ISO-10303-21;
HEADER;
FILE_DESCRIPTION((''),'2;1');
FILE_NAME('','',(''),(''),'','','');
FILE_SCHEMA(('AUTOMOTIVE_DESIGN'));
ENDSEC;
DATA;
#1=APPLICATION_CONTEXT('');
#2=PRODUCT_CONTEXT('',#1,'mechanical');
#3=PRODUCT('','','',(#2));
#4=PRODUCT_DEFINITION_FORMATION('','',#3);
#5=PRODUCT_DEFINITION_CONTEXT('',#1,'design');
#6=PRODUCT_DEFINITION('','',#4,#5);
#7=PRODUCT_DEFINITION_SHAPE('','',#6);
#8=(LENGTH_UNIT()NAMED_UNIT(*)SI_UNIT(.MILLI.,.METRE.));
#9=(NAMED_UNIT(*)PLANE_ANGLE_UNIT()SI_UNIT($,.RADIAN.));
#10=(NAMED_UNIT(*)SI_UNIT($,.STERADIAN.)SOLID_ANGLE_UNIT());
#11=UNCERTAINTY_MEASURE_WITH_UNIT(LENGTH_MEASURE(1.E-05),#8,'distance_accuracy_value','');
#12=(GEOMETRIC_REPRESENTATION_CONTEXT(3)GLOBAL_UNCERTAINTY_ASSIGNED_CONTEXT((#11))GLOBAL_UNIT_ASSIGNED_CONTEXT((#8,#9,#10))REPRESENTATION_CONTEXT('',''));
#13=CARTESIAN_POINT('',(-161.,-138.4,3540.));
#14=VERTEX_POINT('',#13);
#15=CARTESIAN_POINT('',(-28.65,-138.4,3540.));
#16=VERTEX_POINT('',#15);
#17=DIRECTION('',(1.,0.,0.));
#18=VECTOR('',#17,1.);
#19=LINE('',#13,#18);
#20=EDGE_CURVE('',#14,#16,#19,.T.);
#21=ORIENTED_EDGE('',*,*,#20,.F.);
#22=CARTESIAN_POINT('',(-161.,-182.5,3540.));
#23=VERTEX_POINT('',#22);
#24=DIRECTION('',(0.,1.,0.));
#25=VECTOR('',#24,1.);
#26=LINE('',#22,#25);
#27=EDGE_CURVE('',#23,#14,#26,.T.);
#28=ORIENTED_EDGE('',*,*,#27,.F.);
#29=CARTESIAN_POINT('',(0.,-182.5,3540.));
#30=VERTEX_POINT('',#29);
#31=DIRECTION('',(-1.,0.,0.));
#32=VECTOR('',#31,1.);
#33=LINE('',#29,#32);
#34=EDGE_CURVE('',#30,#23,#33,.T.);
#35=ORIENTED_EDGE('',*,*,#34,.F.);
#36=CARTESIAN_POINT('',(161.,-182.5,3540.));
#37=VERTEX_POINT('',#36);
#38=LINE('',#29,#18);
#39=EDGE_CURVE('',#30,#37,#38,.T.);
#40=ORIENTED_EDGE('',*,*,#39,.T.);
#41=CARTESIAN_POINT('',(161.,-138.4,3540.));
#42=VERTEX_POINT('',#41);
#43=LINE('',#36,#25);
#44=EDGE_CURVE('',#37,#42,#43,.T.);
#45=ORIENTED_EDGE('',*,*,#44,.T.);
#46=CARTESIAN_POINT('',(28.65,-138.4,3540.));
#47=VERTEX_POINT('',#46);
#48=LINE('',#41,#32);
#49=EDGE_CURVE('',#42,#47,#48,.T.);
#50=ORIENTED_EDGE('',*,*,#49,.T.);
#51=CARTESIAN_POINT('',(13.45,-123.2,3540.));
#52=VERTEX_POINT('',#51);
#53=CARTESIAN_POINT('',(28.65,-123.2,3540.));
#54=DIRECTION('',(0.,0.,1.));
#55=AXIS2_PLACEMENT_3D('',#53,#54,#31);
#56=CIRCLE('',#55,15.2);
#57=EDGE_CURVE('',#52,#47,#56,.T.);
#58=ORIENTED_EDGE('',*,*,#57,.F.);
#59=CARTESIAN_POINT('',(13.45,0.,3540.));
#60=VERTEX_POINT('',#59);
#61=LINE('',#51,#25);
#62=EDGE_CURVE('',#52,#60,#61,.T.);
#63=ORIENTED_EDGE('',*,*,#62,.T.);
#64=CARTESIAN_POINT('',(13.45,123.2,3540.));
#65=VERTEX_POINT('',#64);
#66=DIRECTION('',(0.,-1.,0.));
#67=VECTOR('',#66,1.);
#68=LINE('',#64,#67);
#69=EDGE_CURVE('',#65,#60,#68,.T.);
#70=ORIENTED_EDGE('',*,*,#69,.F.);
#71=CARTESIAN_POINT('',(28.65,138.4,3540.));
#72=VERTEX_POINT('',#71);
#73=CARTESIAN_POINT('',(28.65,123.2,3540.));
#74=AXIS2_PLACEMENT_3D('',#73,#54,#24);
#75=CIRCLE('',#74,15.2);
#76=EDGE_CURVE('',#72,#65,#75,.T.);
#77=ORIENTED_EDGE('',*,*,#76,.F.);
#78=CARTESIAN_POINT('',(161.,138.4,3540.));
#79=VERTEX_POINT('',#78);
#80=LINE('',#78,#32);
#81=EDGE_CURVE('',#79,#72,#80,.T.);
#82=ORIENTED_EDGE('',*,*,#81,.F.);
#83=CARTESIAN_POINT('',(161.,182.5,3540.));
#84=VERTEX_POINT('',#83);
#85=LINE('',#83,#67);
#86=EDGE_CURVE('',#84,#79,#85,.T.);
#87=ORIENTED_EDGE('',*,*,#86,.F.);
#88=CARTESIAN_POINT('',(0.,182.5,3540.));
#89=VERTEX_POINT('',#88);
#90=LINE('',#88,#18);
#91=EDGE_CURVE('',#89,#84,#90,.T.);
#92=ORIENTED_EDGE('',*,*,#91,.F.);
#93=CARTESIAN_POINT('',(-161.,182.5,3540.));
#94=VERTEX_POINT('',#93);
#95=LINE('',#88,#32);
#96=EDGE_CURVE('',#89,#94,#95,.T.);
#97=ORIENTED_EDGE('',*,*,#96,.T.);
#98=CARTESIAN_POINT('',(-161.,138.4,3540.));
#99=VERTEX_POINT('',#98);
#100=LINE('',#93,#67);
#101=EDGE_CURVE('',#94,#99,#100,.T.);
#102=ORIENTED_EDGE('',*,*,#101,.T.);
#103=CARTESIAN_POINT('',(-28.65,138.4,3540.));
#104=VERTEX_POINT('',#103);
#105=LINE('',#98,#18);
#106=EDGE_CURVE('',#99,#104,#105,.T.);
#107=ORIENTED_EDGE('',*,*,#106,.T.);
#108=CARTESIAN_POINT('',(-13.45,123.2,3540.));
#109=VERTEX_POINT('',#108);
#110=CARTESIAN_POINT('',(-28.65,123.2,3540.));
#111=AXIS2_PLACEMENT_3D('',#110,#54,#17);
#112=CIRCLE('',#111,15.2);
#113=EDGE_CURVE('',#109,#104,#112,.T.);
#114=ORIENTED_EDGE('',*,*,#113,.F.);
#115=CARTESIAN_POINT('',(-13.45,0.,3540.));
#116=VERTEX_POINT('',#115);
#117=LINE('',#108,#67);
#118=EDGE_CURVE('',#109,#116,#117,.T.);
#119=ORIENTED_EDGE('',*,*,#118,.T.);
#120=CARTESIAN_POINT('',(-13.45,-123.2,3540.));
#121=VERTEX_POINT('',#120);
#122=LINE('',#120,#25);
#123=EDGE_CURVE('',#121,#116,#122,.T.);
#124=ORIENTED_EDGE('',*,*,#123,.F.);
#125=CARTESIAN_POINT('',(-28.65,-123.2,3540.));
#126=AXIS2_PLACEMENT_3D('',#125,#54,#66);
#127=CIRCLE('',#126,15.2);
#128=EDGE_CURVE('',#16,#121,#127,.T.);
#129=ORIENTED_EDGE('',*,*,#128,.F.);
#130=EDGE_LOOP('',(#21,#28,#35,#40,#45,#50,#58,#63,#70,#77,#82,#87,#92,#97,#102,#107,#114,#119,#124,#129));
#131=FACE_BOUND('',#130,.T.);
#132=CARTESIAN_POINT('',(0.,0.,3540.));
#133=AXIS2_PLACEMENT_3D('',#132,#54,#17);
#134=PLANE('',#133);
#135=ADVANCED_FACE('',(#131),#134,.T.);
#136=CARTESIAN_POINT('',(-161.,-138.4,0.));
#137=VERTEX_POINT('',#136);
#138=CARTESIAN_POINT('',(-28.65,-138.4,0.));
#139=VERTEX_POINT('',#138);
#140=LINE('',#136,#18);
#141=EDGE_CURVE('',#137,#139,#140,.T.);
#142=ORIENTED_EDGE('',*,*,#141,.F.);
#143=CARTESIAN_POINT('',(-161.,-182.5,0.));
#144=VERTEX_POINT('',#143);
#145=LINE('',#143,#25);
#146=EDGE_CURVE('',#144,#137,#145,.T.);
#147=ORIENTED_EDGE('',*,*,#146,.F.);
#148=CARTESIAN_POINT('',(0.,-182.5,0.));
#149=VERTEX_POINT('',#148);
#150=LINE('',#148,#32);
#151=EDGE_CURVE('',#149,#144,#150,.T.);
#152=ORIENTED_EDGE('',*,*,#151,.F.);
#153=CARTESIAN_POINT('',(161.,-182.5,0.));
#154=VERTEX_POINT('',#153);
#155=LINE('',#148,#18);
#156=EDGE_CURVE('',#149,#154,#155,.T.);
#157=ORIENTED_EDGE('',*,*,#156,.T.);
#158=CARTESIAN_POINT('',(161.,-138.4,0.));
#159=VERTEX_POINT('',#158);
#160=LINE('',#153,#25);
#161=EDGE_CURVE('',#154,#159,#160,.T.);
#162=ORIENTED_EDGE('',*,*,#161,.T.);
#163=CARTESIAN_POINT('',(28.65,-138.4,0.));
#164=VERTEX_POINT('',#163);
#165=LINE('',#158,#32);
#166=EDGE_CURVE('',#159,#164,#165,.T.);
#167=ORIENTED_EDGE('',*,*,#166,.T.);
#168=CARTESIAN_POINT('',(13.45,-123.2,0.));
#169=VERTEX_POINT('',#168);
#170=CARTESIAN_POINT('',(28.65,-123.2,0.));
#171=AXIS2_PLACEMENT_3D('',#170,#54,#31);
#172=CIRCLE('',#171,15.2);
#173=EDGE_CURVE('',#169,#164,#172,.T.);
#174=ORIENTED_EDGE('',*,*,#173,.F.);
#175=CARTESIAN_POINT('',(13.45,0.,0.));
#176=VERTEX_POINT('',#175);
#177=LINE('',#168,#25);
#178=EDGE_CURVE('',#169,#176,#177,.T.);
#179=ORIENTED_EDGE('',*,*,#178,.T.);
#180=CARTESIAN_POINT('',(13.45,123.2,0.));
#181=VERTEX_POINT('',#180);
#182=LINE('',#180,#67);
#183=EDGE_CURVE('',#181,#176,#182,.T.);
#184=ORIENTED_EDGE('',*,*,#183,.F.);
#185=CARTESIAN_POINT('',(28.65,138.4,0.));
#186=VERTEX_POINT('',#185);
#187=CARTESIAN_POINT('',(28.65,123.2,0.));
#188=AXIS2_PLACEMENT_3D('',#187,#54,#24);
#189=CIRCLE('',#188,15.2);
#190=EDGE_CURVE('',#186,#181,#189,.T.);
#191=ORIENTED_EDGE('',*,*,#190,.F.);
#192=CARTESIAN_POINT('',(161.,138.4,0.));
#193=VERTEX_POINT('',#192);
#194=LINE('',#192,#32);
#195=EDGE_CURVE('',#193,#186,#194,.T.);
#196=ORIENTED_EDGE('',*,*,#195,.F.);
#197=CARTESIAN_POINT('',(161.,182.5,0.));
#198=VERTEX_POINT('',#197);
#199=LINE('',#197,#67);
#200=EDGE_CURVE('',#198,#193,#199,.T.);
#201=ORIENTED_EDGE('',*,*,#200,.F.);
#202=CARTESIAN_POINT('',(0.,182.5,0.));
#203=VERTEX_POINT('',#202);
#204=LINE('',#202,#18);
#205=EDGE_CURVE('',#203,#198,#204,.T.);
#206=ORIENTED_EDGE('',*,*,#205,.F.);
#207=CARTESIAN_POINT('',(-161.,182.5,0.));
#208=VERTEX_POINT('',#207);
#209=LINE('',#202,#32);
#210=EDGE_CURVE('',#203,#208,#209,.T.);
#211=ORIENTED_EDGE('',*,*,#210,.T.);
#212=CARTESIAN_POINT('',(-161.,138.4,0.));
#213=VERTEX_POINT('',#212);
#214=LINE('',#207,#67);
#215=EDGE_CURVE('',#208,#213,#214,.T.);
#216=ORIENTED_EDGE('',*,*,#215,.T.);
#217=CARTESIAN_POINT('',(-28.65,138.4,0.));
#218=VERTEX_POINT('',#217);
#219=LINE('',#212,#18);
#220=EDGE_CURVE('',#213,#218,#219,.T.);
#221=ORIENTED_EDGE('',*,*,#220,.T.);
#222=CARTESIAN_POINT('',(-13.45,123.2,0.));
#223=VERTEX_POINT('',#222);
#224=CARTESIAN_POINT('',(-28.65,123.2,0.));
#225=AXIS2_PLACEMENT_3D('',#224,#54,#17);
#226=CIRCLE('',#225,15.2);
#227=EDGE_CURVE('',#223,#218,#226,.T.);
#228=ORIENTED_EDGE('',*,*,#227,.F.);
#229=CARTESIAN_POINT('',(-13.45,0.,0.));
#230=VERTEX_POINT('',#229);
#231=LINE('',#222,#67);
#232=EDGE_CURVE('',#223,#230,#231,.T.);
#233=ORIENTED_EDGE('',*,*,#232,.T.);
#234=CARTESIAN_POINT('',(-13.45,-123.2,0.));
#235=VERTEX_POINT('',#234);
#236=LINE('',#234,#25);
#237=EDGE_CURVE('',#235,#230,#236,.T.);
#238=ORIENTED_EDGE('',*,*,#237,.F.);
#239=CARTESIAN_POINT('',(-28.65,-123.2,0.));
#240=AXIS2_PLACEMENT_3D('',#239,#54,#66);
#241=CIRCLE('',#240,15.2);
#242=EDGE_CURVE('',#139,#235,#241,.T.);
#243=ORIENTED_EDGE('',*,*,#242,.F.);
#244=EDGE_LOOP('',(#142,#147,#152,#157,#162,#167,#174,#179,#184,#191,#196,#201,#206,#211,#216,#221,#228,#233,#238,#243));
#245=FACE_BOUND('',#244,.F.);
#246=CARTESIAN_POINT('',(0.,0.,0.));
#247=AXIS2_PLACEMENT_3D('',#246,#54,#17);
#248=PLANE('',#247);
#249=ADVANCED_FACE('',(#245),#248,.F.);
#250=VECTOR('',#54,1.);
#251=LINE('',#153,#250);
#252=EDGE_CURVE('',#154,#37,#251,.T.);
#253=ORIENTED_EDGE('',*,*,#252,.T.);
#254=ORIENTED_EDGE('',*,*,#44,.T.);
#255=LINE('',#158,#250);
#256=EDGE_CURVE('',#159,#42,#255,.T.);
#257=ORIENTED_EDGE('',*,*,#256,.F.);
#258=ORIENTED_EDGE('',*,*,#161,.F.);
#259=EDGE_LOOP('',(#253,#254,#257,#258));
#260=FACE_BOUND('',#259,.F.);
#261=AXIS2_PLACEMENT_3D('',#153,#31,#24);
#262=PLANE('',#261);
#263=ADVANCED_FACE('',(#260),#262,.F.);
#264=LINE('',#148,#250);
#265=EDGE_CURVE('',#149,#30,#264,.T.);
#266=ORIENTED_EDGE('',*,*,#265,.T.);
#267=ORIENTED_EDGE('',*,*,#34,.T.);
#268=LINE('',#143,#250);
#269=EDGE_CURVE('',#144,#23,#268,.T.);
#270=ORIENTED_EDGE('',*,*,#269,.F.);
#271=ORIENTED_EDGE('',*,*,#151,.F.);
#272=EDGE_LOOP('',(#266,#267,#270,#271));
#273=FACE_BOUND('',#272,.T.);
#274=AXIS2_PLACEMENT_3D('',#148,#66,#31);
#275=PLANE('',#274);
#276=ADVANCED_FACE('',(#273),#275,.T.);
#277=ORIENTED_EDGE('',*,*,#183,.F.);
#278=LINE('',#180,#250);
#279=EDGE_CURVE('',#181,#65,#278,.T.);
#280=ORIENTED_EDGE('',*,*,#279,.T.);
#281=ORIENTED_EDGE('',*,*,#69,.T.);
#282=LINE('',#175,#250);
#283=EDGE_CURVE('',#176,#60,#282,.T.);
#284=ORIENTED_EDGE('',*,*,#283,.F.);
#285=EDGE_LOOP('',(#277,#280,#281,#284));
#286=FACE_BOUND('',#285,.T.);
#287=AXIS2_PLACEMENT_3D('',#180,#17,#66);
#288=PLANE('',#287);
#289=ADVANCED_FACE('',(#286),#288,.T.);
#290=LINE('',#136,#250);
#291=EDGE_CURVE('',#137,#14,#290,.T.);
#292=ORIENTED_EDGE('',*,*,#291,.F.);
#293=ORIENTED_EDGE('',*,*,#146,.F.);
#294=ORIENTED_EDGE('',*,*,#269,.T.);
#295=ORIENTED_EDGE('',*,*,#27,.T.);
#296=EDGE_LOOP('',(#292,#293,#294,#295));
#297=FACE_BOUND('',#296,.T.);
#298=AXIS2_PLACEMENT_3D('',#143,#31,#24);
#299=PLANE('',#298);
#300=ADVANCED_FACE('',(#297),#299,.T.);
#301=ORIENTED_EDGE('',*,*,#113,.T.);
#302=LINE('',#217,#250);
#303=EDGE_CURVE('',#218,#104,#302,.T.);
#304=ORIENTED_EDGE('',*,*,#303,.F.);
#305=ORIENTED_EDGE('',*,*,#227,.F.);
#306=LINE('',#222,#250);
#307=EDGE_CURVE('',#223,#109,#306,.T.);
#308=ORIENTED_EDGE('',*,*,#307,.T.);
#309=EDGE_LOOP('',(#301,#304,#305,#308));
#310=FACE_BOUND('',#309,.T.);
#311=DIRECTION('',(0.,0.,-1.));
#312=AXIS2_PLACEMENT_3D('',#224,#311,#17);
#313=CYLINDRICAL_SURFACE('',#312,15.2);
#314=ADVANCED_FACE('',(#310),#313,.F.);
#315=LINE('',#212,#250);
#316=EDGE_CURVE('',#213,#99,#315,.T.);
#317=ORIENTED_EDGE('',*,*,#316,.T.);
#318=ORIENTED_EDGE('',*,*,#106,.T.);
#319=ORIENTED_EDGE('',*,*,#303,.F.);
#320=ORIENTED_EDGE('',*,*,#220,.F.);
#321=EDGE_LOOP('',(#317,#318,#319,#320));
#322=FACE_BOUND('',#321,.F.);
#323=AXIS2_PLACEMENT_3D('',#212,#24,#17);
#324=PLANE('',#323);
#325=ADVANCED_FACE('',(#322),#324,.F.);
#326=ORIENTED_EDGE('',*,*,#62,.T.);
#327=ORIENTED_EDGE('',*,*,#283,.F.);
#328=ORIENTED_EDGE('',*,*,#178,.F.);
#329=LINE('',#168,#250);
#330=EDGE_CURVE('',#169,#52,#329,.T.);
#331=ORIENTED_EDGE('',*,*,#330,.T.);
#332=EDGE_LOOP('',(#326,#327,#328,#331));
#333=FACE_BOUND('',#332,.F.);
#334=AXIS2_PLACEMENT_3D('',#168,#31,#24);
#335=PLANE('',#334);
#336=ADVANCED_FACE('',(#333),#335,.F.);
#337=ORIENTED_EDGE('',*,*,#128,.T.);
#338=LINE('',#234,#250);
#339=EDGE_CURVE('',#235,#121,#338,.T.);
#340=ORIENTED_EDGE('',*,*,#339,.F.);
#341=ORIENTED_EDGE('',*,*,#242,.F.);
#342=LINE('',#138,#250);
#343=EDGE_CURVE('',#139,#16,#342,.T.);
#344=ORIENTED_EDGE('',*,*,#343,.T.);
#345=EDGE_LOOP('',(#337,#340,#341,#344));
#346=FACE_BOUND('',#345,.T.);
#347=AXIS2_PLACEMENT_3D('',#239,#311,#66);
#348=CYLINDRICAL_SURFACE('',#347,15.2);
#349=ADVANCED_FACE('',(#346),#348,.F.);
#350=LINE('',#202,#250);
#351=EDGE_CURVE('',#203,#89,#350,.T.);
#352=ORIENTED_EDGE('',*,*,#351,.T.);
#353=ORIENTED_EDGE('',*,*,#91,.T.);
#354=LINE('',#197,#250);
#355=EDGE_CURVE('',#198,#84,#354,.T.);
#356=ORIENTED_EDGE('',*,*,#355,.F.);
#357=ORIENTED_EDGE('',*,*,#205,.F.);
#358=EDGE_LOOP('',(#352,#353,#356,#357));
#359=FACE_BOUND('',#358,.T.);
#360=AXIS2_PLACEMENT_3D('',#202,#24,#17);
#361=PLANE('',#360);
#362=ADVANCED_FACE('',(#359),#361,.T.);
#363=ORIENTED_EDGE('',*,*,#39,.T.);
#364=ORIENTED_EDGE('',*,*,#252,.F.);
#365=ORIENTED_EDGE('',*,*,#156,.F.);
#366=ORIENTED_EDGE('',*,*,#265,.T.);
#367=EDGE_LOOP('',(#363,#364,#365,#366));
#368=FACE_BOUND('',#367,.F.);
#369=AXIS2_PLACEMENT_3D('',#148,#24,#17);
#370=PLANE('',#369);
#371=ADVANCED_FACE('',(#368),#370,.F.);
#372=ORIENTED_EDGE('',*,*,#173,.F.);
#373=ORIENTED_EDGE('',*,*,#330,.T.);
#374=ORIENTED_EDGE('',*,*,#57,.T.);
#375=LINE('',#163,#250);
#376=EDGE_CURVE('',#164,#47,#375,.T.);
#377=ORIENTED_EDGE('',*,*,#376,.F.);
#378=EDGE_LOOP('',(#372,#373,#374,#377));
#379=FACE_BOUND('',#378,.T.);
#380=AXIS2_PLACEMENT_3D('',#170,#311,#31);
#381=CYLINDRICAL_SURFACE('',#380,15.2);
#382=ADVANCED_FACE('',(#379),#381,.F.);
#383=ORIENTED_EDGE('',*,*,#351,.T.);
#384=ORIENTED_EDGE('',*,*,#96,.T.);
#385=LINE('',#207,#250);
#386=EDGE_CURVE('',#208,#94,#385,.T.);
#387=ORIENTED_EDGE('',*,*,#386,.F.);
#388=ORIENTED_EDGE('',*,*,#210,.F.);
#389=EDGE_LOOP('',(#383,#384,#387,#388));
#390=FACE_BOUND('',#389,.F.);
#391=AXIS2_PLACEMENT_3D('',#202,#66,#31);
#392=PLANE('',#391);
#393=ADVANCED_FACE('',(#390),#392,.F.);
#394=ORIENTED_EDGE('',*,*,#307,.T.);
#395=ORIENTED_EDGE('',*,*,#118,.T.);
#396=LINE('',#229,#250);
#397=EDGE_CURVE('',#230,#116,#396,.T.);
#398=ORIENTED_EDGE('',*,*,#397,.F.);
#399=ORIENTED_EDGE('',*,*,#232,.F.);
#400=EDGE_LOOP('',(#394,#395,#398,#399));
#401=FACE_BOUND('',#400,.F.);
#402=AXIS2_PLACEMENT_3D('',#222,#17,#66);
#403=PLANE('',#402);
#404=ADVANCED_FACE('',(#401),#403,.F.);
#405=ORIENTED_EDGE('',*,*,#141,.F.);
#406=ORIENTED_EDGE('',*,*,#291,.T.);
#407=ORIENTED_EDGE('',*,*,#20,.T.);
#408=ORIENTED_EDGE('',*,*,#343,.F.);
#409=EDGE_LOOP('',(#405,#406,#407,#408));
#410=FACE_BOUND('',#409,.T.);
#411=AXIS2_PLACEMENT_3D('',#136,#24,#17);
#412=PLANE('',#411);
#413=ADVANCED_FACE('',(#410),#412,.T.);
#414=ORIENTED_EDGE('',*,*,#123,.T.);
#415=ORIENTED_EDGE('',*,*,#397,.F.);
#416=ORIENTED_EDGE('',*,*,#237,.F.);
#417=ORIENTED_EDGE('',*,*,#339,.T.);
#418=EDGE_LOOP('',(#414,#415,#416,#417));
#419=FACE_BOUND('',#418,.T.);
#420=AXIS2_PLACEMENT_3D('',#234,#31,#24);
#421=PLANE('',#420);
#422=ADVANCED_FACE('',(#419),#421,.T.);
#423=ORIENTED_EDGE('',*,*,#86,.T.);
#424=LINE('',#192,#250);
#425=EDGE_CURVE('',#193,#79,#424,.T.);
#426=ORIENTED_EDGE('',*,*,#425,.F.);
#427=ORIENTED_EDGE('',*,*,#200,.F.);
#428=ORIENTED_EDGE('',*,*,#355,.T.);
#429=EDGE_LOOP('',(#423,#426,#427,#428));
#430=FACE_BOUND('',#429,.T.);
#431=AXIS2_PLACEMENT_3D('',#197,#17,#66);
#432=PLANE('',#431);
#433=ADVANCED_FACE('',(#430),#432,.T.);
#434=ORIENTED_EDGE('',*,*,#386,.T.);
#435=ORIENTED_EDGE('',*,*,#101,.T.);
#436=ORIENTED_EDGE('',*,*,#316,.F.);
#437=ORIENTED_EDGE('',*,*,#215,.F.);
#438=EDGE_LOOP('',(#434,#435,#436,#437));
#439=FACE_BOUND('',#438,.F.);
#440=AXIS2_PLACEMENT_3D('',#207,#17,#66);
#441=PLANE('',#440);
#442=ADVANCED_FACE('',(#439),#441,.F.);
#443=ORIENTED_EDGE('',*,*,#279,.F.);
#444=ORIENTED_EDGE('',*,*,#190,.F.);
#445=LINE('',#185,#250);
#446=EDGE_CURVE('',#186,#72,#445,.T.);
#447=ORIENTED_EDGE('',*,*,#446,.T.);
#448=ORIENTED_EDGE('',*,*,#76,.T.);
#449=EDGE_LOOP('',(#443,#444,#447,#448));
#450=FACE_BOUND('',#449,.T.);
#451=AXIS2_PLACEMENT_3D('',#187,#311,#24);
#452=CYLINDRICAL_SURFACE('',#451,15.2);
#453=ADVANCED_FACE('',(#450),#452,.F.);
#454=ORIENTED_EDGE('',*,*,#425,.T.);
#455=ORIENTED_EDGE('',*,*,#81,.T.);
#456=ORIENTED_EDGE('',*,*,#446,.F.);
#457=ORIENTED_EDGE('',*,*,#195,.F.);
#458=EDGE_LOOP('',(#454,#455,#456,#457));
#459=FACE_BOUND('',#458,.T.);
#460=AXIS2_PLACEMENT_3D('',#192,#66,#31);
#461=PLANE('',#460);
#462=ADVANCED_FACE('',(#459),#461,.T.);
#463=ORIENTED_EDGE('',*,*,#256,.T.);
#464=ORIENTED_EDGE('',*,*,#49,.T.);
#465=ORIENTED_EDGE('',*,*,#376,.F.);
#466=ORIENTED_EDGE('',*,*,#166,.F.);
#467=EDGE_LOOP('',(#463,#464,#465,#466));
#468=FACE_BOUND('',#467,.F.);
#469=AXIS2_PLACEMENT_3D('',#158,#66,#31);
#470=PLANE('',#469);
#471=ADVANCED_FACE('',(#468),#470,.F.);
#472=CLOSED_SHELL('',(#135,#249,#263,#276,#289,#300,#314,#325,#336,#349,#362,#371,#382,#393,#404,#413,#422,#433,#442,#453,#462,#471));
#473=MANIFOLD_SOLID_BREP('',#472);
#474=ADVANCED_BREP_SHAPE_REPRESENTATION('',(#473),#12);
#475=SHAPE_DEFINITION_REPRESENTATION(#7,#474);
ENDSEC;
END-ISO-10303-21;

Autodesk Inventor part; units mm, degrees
ref_plane "YZ Plane" through (0, 0, 0) normal (1, 0, 0) x (0, 1, 0)
ref_plane "Start plane" through (0, 0, 0) normal (0, 0, 1) x (1, 0, 0)
ref_plane "End plane" through (0, 0, 3540) normal (0, 0, 1) x (1, 0, 0)
sketch "Sketch" plane through (0, 0, 0) normal (0, 0, 1) x (1, 0, 0)
  line L0 (-161, -182.5) -> (-161, -138.4)
  line L1 (-161, -138.4) -> (-28.65, -138.4)
  line L2 (-13.45, -123.2) -> (-13.45, 0)
  line L3 (-13.45, 0) -> (0, 0) construction
  line L4 (0, 0) -> (0, -182.5) construction
  line L5 (0, -182.5) -> (-161, -182.5)
  line L6 (-60, 0) -> (80, 0) construction
  line L7 (0, -60) -> (0, 80) construction
  line L8 (161, -182.5) -> (161, -138.4)
  line L9 (161, -138.4) -> (28.65, -138.4)
  line L10 (13.45, -123.2) -> (13.45, 0)
  line L11 (13.45, 0) -> (0, 0) construction
  line L12 (0, -182.5) -> (161, -182.5)
  line L13 (-161, 182.5) -> (-161, 138.4)
  line L14 (-161, 138.4) -> (-28.65, 138.4)
  line L15 (-13.45, 123.2) -> (-13.45, 0)
  line L16 (0, 182.5) -> (-161, 182.5)
  line L17 (161, 182.5) -> (161, 138.4)
  line L18 (161, 138.4) -> (28.65, 138.4)
  line L19 (0, 182.5) -> (161, 182.5)
  line L20 (13.45, 123.2) -> (13.45, 0)
  arc A0 (-13.45, 123.2) -> (-28.65, 138.4) centre (-28.65, 123.2) ccw
  arc A1 (28.65, 138.4) -> (13.45, 123.2) centre (28.65, 123.2) ccw
  arc A2 (13.45, -123.2) -> (28.65, -138.4) centre (28.65, -123.2) ccw
  arc A3 (-28.65, -138.4) -> (-13.45, -123.2) centre (-28.65, -123.2) ccw
  line L21 (0, 108) -> (0, -88) construction
  line L22 (-88, 0) -> (108, 0) construction
  point P0 (-13.45, -138.4)
  point P1 (13.45, -138.4)
  point P2 (-13.45, 138.4)
  point P3 (13.45, 138.4)
  dimension "d1" = 182.5
  dimension "d2" = 44.1
  dimension "d3" = 161
  dimension "d4" = 13.45
  dimension "d10" = 15.2
extrude "Body" add sketch "Sketch" along normal up to surface (3540 mm away) from surface at 0
sketch "Sketch4" plane through (0, 0, 0) normal (0, 0, 1) x (1, 0, 0)
  line L0 (0, 0) -> (10, 0)
ref_plane "Work Plane3" through (0, 0, 0) normal (0, -1, 0) x (1, 0, 0)
sketch "Sketch5" plane through (0, 0, 0) normal (0, -1, 0) x (1, 0, 0)
  line L0 (-2, 0) -> (12, 0) projected
  line L1 (-2, 3540) -> (12, 3540) projected
  dimension "d14" = 3540
equation "\"d1\" = 0.5 * G_H"
equation "\"d2\" = G_T1"
equation "\"d3\" = 0.5 * G_W"
equation "\"d4\" = 0.5 * G_T"
equation "\"d10\" = G_IR"
equation "\"d5\" = G_L"
equation "\"G_W\" = 322"
equation "\"G_H\" = 365"
equation "\"G_T\" = 26.9"
equation "\"G_T1\" = 44.1"
equation "\"G_IR\" = 15.2"
equation "\"G_L\" = d14"
equation "\"G_OFFSET_START\" = 0"
equation "\"G_OFFSET_END\" = 0"
properties part number "AS 3679 - 310 UC - 283 - 3540" material "Steel, Mild"
